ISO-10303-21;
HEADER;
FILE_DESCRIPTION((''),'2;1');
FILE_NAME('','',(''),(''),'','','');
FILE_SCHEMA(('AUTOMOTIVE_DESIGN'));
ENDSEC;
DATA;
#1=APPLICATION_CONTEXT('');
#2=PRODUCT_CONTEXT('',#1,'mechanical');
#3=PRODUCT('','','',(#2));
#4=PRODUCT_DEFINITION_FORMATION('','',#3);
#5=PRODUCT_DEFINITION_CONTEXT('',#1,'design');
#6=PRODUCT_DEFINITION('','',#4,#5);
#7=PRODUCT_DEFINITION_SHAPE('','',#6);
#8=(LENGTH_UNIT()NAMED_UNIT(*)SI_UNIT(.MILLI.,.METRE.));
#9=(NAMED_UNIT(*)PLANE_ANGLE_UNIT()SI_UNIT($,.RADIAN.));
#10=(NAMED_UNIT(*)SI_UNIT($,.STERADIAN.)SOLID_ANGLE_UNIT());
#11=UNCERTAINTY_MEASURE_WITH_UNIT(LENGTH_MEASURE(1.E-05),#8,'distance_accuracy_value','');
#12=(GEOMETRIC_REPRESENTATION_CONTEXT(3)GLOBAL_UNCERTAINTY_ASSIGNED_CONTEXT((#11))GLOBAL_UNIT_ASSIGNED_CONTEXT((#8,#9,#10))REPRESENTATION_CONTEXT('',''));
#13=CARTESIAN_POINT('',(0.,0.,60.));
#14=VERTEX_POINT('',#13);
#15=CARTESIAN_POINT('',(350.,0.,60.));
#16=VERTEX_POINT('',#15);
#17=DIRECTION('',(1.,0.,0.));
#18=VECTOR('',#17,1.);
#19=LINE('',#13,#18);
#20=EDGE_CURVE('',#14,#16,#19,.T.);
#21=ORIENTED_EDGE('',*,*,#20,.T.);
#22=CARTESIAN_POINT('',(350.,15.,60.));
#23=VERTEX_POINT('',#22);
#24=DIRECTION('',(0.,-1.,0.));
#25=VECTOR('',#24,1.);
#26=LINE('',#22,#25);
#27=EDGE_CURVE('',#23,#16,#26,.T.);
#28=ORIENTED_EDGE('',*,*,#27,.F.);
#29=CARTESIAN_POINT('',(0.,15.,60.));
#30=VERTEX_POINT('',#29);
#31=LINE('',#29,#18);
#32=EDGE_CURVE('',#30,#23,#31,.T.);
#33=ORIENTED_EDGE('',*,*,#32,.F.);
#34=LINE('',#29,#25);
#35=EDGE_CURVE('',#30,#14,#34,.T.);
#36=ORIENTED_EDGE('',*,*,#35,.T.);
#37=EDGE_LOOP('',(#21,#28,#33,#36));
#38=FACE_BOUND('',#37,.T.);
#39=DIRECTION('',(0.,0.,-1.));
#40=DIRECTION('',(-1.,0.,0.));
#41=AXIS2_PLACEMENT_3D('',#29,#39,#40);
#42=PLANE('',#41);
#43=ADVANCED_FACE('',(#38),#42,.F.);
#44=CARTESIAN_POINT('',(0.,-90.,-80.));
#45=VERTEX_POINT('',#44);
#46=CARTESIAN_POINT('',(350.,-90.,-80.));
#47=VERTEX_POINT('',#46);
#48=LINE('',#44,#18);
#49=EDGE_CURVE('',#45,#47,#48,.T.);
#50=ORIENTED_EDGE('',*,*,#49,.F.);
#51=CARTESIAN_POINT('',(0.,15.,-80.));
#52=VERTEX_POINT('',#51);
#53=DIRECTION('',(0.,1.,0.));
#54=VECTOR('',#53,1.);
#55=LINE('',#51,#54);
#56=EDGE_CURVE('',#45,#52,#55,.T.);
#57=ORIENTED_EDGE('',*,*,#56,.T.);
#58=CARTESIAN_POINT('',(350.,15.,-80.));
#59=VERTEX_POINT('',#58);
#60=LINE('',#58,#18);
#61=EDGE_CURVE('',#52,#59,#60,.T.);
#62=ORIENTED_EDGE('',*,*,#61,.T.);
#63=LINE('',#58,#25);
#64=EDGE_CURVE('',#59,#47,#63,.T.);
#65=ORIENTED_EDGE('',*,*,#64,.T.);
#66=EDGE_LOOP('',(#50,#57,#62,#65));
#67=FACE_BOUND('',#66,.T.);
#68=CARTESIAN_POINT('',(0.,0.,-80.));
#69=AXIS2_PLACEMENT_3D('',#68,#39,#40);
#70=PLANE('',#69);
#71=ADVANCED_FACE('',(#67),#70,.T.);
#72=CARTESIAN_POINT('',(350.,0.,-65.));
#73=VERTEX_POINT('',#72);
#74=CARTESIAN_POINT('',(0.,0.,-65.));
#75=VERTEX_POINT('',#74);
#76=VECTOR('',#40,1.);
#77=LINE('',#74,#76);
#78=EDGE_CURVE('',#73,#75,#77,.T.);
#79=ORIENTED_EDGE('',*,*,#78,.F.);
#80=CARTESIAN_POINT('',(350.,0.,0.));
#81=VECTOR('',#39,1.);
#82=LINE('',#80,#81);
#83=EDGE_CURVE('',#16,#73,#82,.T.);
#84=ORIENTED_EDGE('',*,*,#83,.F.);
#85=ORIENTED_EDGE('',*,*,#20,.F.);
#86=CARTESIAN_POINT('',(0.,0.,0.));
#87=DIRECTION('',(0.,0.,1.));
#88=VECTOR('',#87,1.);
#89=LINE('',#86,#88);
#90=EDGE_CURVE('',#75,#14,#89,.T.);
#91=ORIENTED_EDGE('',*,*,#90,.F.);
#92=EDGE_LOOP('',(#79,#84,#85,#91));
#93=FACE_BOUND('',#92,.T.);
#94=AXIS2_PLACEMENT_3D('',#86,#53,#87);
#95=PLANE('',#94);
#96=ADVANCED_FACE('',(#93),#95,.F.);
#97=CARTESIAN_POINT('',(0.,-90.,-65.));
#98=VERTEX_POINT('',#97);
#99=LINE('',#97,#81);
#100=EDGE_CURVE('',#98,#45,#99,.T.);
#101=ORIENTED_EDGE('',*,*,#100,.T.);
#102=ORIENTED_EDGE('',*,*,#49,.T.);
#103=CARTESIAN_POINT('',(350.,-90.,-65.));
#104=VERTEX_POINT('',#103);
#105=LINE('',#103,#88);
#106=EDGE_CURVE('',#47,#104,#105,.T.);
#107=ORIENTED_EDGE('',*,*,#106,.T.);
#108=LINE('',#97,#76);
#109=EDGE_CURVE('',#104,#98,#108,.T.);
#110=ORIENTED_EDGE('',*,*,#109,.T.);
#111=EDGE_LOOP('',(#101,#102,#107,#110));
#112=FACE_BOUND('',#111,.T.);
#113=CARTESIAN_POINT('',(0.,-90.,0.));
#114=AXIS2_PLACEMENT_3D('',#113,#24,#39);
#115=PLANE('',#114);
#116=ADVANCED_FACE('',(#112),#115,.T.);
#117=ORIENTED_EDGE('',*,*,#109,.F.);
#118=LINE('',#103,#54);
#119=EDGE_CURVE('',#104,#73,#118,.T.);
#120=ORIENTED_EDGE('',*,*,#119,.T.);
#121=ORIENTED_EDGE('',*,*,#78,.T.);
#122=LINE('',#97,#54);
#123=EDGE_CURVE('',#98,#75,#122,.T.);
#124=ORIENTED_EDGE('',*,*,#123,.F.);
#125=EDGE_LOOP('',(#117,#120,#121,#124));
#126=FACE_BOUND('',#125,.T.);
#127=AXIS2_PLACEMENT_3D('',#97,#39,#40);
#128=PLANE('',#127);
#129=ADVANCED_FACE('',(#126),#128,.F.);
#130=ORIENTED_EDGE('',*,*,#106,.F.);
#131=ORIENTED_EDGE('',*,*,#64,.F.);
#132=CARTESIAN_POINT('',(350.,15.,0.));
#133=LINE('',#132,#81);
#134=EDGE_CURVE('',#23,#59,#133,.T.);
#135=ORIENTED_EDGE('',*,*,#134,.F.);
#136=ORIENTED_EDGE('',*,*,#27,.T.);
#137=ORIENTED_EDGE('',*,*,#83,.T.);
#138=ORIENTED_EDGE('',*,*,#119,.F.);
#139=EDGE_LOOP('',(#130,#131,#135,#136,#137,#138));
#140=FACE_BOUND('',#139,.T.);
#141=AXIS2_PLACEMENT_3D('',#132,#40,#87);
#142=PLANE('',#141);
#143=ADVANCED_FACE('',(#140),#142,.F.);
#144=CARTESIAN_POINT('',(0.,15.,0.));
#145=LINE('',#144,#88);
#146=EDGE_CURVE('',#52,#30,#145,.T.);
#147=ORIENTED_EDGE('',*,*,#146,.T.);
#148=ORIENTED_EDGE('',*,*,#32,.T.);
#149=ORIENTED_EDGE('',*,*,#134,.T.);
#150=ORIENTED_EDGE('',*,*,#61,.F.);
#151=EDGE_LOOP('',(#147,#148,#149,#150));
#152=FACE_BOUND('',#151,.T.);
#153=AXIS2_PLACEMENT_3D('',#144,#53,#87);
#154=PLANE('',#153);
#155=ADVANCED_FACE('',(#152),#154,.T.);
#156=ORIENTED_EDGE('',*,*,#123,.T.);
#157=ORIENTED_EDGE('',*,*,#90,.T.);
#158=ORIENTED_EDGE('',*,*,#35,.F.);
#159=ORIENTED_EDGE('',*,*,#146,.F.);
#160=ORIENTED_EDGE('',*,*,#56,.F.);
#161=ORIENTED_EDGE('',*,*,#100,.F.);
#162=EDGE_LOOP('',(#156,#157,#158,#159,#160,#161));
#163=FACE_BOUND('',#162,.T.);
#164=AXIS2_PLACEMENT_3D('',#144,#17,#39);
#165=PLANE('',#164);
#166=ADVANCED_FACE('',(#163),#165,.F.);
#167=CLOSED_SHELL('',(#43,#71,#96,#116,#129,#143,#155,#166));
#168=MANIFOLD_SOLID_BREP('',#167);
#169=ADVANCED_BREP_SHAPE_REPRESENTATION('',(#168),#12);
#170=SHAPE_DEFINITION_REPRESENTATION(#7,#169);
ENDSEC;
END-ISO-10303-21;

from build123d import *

# Parameters (mm, degrees)
SKETCH1_W           = 350
SKETCH1_H           = 60
BOSS_EXTRUDE1_DEPTH = 15
SKETCH3_W           = 350
SKETCH3_H           = 15
BOSS_EXTRUDE4_DEPTH = 80
SKETCH5_W           = 350
SKETCH5_H           = 15
BOSS_EXTRUDE5_DEPTH = 90


with BuildPart() as part:
    # Sketch1 → Boss-Extrude1 (new body)
    with BuildSketch(Plane(origin=(0, 0, 0), x_dir=(1, 0, 0), z_dir=(0, 1, 0))):
        with Locations((175, -30)):
            Rectangle(SKETCH1_W, SKETCH1_H)
    extrude(amount=BOSS_EXTRUDE1_DEPTH)

    # Sketch3 → Boss-Extrude4 (add)
    with BuildSketch(Plane(origin=(0, 0, 0), x_dir=(-1, 0, 0), z_dir=(0, 0, -1))):
        with Locations((-175, 7.5)):
            Rectangle(SKETCH3_W, SKETCH3_H)
    extrude(amount=BOSS_EXTRUDE4_DEPTH)

    # Sketch5 → Boss-Extrude5 (add)
    with BuildSketch(Plane.XZ):
        with Locations((175, -72.5)):
            Rectangle(SKETCH5_W, SKETCH5_H)
    extrude(amount=BOSS_EXTRUDE5_DEPTH)


solid = part.part
